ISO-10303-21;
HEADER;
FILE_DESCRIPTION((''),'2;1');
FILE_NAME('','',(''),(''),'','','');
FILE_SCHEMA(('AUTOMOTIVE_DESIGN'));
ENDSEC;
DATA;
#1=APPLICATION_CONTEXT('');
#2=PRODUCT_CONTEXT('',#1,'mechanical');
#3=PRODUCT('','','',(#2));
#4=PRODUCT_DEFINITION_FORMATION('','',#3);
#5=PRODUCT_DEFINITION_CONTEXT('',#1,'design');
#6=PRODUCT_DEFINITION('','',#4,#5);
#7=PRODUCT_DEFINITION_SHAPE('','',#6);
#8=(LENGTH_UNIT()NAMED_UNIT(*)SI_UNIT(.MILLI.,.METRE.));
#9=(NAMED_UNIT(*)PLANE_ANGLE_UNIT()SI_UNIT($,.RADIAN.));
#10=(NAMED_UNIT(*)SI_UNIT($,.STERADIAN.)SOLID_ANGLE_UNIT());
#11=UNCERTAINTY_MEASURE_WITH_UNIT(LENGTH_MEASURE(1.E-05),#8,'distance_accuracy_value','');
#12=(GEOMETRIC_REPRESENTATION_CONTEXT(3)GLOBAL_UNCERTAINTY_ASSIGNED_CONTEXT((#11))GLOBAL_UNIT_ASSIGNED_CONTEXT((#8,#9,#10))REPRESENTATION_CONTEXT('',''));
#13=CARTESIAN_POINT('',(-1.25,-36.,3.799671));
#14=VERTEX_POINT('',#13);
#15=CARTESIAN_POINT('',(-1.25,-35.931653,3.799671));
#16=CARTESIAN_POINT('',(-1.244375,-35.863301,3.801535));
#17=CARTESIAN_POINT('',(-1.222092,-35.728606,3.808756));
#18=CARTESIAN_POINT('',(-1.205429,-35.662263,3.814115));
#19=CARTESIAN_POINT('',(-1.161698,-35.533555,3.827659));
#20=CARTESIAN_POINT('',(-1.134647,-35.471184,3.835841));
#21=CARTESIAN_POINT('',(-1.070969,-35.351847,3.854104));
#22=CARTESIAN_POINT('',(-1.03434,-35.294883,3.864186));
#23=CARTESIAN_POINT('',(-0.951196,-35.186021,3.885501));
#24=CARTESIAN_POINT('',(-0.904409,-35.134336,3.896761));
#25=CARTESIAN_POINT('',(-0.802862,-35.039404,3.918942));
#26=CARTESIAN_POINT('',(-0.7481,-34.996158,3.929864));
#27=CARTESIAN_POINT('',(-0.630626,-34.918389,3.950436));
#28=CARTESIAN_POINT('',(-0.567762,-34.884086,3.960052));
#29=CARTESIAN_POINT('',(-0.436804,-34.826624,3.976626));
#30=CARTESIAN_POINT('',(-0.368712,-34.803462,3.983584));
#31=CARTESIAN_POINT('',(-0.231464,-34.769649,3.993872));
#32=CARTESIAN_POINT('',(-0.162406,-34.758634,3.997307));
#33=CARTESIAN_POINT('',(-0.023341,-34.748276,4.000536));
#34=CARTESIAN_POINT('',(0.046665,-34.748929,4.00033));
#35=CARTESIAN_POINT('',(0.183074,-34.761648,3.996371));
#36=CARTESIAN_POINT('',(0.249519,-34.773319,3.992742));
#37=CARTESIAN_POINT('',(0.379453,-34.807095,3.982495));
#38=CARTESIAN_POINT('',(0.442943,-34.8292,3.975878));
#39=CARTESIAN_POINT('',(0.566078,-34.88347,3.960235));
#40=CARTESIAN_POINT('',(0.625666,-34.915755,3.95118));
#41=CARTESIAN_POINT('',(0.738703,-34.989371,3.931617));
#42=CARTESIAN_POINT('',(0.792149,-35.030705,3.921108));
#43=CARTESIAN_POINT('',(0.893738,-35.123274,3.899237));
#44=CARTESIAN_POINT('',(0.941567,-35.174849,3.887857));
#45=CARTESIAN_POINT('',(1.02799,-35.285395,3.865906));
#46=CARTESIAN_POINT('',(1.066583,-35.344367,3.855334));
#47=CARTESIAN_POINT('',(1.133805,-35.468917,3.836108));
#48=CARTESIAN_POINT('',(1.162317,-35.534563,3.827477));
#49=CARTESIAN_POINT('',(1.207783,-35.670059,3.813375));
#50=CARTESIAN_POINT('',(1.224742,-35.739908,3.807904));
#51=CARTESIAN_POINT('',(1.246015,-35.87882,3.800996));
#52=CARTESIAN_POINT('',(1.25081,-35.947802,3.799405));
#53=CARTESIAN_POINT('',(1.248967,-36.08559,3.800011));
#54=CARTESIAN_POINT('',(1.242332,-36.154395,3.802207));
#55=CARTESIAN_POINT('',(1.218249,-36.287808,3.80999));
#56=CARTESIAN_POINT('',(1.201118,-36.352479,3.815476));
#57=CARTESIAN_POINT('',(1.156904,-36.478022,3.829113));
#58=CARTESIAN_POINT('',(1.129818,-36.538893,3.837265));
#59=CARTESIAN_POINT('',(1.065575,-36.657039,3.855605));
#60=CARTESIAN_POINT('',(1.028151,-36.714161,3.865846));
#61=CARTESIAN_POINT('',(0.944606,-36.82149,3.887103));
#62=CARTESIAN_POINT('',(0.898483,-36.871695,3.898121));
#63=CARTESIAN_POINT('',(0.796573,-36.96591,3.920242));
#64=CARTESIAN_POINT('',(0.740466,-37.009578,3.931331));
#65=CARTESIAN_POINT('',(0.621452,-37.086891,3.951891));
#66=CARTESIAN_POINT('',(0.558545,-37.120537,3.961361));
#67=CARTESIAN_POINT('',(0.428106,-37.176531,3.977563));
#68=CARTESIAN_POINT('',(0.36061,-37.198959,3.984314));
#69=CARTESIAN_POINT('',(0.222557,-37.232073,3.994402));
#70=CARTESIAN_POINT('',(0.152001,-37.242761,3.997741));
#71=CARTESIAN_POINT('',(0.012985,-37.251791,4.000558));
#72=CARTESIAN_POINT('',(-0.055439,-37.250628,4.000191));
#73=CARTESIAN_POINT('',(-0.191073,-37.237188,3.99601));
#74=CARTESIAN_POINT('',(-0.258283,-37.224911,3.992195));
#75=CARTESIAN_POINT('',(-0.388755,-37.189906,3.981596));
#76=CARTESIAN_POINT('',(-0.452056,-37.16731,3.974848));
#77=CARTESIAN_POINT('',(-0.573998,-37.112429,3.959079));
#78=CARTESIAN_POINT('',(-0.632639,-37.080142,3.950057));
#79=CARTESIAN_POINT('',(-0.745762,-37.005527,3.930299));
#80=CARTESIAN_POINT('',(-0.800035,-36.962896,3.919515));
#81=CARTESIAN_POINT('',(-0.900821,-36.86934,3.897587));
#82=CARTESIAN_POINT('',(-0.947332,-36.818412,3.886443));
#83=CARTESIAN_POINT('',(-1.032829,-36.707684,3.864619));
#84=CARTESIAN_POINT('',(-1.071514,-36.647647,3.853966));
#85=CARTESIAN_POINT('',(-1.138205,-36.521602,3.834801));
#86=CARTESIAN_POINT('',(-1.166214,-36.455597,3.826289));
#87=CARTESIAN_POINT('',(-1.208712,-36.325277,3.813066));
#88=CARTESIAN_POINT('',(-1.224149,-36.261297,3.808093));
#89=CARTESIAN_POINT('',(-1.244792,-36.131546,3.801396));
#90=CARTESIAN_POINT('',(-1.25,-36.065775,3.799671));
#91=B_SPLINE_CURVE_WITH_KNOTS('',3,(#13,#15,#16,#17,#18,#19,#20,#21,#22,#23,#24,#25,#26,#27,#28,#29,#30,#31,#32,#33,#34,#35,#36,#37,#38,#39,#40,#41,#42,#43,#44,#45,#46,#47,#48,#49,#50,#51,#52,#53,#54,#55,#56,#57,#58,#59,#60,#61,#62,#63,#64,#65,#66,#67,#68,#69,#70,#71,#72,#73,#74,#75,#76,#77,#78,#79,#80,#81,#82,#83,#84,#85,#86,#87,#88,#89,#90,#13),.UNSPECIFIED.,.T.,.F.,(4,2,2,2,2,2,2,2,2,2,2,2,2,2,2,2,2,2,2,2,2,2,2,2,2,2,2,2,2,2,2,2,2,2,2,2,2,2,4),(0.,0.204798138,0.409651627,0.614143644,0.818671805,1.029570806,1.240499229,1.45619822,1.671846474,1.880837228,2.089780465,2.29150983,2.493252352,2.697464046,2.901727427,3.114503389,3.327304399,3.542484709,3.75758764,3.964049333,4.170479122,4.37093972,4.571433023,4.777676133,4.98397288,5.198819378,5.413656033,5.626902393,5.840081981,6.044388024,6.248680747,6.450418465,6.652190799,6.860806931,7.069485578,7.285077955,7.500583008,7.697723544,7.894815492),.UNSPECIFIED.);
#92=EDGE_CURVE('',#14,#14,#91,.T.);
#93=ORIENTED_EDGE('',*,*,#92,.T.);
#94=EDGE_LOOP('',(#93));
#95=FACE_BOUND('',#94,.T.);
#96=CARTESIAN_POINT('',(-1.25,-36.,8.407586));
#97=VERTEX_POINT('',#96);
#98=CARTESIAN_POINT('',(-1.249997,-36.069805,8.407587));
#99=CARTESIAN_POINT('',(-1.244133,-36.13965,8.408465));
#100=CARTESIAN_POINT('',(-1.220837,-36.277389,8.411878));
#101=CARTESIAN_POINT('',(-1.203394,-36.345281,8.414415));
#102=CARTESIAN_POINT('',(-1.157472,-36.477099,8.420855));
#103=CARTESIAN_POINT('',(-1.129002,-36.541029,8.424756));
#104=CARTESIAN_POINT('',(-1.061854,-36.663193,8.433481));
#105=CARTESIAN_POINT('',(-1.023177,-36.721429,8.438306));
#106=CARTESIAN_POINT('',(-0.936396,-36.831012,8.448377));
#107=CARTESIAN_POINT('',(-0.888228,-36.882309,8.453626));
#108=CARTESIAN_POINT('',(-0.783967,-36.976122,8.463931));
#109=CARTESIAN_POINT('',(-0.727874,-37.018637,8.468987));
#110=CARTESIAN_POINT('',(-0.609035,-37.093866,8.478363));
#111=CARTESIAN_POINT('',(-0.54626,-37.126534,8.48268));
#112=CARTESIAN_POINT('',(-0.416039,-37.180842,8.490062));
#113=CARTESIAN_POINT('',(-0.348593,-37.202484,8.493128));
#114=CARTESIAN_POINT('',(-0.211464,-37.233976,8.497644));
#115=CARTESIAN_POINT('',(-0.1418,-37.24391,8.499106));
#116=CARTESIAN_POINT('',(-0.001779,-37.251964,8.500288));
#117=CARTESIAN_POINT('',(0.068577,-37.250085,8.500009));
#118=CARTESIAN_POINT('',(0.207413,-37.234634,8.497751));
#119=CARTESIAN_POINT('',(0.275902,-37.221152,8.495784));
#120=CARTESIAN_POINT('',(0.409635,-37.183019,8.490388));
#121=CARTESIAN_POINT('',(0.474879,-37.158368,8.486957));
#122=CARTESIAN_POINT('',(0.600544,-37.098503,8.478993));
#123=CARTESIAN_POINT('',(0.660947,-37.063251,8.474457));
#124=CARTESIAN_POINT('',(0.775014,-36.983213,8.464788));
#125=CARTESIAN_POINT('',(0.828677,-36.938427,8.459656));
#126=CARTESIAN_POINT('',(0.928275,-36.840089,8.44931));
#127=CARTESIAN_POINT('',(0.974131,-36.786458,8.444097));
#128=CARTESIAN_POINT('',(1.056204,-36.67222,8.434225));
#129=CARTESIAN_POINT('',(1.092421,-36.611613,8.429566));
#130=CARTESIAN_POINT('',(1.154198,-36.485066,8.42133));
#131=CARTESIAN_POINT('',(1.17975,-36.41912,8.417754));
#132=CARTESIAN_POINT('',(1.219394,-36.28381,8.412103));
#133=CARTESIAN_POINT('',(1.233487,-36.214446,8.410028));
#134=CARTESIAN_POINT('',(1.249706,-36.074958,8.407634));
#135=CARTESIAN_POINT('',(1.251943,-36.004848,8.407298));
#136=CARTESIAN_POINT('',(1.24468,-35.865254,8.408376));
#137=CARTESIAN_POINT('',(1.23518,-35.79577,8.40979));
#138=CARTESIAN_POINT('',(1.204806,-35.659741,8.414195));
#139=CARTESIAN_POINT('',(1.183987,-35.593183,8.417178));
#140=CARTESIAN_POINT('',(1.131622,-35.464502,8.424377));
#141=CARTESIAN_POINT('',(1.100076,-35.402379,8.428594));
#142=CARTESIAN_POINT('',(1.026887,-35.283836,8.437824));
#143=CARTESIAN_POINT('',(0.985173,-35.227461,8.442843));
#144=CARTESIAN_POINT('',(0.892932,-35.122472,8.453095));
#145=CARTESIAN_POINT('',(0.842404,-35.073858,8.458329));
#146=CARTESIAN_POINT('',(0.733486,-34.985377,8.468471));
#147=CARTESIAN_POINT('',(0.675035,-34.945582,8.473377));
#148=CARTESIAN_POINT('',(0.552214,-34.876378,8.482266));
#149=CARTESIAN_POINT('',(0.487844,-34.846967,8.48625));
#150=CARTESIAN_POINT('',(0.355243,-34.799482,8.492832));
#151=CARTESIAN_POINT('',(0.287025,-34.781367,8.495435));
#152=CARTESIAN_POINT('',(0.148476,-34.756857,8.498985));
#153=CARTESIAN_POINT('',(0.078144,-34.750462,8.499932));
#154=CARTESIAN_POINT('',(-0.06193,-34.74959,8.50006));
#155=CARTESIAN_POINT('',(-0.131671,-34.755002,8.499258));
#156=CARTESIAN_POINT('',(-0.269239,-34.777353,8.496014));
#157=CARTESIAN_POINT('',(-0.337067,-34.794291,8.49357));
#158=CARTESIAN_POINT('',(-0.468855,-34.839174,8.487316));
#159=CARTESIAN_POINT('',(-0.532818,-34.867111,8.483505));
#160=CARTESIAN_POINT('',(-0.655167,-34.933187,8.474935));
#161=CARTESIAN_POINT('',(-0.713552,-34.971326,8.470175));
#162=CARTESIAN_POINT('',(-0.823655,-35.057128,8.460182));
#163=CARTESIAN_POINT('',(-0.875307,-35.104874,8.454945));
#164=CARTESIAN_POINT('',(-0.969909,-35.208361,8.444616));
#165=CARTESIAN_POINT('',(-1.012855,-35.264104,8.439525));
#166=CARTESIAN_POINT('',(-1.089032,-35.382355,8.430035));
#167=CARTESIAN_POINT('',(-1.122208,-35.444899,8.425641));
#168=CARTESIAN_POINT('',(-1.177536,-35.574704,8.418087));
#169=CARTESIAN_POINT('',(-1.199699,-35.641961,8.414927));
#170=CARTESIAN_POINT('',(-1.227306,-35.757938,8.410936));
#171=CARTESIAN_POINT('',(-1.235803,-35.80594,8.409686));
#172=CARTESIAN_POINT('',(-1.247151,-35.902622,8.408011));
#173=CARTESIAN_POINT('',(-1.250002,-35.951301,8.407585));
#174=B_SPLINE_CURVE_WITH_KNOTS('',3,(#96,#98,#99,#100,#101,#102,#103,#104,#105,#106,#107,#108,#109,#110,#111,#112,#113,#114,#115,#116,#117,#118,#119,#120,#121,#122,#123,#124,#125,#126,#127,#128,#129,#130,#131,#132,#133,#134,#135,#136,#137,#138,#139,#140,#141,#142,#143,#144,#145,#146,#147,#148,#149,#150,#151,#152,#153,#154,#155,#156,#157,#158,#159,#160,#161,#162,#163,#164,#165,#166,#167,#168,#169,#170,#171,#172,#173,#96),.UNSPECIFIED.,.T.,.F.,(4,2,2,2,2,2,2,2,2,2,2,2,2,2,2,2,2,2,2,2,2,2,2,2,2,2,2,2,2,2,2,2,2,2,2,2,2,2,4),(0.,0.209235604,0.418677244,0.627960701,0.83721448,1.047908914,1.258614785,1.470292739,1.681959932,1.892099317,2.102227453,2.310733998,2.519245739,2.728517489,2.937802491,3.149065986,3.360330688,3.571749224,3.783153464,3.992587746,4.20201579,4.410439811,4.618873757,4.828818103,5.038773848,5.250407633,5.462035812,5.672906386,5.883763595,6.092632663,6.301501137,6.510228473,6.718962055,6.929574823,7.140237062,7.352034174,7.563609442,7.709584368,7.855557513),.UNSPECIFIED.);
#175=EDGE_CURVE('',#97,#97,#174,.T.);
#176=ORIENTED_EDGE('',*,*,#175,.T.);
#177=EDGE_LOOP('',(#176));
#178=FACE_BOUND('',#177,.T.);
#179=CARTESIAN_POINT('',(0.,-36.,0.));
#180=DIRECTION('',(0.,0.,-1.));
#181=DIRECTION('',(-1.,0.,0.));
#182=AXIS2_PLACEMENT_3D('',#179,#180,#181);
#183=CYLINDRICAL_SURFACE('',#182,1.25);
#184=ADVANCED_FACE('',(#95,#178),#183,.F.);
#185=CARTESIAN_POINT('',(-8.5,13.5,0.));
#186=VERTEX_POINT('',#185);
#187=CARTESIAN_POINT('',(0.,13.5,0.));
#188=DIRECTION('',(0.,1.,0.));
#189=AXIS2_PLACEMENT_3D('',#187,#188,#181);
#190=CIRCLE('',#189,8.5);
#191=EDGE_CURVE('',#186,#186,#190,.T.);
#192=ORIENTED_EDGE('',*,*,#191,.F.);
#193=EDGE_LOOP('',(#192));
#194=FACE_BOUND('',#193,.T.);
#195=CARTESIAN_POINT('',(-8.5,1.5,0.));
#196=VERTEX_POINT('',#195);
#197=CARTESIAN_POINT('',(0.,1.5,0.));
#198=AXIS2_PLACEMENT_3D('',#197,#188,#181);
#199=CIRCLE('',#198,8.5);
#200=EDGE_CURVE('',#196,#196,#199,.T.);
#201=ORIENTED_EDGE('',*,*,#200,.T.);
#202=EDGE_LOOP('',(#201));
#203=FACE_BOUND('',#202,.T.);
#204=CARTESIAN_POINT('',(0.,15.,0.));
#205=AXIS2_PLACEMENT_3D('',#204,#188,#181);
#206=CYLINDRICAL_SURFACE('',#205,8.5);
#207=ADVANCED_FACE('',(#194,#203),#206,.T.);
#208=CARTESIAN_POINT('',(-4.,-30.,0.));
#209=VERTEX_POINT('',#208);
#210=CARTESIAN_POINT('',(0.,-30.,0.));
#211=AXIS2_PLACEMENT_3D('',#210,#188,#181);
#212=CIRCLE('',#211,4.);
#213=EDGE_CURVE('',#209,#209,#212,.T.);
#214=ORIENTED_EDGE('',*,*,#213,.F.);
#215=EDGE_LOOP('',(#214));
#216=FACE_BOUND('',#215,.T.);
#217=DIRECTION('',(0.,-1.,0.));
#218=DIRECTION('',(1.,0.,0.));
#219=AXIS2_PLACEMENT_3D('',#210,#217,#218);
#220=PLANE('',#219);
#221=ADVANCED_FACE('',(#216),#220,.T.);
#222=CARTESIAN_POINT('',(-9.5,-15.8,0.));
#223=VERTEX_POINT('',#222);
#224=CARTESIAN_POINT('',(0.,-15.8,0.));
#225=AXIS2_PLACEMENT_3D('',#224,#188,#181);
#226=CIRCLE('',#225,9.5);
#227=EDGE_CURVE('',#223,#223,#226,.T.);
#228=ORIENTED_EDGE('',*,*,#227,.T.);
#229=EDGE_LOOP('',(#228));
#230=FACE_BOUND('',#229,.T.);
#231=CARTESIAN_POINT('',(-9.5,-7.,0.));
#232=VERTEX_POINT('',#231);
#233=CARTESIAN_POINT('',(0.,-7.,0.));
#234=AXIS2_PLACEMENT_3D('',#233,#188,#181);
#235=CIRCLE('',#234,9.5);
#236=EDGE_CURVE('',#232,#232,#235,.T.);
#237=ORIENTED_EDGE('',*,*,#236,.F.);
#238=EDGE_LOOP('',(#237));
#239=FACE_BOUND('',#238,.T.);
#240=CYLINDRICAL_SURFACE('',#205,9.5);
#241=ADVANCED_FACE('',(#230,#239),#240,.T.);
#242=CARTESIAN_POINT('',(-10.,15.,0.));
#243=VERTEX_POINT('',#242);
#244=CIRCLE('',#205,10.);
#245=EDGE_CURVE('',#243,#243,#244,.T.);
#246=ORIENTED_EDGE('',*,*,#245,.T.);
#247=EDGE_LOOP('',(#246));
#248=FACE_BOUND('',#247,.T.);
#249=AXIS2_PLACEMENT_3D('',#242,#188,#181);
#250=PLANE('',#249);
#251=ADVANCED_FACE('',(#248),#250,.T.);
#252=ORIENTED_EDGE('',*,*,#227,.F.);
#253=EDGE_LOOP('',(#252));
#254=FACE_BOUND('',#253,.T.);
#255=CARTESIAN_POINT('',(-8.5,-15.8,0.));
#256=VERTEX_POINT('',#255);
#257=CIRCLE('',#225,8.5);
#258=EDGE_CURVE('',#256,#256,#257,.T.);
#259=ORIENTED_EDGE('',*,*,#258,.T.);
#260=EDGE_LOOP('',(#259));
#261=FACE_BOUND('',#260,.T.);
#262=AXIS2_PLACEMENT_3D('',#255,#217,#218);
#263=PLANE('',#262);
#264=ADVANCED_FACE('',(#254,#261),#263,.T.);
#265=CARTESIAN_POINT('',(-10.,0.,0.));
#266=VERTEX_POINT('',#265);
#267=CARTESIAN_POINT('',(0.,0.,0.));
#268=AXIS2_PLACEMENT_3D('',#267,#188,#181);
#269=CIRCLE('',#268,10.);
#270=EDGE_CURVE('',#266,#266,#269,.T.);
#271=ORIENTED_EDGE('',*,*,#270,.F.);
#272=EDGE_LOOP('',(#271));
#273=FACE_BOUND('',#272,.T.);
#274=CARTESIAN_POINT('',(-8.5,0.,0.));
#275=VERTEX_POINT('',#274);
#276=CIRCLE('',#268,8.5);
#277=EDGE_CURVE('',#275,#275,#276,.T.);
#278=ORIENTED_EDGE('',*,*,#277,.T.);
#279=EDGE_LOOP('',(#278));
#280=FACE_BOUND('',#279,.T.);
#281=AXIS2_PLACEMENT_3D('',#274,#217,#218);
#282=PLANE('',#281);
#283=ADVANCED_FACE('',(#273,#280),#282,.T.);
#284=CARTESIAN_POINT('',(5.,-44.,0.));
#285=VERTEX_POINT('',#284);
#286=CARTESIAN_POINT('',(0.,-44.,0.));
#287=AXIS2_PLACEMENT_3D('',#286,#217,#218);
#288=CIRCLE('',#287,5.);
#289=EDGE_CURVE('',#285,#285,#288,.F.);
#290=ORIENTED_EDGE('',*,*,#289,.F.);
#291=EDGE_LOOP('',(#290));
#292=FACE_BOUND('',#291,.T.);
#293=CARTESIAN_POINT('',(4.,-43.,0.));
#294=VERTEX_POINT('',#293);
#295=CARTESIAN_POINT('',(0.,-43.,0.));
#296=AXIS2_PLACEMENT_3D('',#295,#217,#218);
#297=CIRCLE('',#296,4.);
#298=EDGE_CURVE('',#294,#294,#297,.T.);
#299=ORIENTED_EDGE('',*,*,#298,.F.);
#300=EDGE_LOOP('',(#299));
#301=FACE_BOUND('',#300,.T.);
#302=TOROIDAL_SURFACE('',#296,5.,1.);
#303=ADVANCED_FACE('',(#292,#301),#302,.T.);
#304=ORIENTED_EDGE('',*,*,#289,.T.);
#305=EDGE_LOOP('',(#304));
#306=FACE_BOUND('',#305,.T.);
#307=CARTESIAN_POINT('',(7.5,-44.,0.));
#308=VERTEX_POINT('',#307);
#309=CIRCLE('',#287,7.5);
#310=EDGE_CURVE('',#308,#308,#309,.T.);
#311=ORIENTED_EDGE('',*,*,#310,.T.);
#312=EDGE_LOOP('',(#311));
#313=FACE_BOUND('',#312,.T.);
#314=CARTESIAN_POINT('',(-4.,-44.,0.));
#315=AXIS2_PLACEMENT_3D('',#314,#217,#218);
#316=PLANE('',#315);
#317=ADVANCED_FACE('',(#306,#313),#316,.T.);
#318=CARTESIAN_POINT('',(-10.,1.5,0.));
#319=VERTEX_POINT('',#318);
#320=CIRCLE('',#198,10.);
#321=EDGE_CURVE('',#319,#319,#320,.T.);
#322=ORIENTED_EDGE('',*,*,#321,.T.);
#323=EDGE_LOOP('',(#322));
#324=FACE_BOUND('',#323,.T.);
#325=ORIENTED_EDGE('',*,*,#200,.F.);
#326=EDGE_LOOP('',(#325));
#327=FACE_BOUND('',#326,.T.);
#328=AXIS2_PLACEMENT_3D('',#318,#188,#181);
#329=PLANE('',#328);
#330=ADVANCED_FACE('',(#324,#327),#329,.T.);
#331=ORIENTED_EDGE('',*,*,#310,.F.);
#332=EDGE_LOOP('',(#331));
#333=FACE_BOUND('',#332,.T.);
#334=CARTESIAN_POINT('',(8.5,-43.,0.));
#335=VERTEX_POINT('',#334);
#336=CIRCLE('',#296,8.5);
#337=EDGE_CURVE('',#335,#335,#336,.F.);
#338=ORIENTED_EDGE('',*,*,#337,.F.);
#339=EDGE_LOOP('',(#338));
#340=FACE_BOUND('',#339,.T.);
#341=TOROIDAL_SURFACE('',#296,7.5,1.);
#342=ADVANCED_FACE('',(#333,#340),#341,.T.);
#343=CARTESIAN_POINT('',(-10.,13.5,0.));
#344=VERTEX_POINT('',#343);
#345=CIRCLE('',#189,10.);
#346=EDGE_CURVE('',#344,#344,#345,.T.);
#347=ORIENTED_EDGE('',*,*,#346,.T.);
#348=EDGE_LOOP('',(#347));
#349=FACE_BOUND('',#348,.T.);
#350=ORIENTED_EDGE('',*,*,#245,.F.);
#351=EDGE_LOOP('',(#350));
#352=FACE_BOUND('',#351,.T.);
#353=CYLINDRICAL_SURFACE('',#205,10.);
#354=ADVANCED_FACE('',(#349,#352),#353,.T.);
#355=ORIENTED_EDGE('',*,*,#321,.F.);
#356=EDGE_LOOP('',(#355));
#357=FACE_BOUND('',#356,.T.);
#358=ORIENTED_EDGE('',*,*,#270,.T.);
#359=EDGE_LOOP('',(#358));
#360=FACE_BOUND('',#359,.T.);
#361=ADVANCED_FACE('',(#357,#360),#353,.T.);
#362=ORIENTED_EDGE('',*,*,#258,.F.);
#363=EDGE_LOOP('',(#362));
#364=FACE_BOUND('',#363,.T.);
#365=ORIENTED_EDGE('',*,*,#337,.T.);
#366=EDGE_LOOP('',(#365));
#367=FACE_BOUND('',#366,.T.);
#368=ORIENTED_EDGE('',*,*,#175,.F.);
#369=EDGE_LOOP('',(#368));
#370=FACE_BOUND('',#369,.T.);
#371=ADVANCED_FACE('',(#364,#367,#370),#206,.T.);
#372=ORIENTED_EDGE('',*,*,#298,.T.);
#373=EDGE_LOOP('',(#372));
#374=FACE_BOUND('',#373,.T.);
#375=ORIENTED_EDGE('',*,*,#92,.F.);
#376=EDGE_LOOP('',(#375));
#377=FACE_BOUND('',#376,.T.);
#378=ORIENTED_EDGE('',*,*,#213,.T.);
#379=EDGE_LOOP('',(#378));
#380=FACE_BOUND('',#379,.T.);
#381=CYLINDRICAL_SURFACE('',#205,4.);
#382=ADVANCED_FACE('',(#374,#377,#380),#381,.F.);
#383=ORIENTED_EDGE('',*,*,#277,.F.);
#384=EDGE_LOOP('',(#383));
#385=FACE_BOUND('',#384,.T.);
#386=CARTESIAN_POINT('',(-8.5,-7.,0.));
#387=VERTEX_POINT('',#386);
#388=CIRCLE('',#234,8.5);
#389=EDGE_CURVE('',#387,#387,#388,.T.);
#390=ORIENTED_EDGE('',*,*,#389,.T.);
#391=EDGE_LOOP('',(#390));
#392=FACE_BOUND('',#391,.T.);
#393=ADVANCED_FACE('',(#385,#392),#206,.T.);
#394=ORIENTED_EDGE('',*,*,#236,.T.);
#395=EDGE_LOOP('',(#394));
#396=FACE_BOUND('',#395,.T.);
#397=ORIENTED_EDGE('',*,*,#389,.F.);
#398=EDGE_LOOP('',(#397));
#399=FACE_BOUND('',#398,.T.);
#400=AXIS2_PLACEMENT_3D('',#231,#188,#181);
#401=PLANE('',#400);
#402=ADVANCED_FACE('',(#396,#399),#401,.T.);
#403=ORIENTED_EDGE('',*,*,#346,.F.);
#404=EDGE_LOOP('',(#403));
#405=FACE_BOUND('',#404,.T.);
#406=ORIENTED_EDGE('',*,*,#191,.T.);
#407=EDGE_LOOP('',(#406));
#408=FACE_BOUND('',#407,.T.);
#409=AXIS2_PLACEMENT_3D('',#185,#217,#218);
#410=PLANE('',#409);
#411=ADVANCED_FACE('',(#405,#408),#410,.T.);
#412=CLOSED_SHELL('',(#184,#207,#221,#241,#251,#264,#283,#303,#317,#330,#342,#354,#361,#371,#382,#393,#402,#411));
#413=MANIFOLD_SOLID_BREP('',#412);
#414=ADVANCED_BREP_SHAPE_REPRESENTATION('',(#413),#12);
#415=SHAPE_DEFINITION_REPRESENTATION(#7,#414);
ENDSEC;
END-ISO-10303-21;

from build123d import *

# Parameters (mm, degrees)
FILLET1_R = 1
SKETCH3_W = 1.25
SKETCH3_H = 8.5


with BuildPart() as part:
    # Sketch1 → Revolve1 (revolve)
    with BuildSketch(Plane.XY):
        Polygon((-8.5, -44), (-8.5, -15.8), (-9.5, -15.8), (-9.5, -7), (-8.5, -7), (-8.5, 0), (-10, 0), (-10, 1.5), (-8.5, 1.5), (-8.5, 13.5), (-10, 13.5), (-10, 15), (0, 15), (0, -30), (-4, -30), (-4, -44), align=None)
    revolve(axis=Axis((0, 15, 0), (0, -1, 0)))

    # Fillet1
    fillet1_edges = [part.edges().sort_by_distance(p)[0] for p in [
        (8.5, -44, 0),
        (4, -44, 0),
    ]]
    fillet(fillet1_edges, radius=FILLET1_R)

    # Sketch3 → M3x0.5 Tapped Hole1 (revolve, cut)
    with BuildSketch(Plane(origin=(0, -36, 0), x_dir=(0, 1, 0), z_dir=(1, 0, 0))):
        with Locations((0.625, 4.25)):
            Rectangle(SKETCH3_W, SKETCH3_H)
    revolve(axis=Axis((0, -36, -6.35), (0, 0, 1)), mode=Mode.SUBTRACT)


solid = part.part
